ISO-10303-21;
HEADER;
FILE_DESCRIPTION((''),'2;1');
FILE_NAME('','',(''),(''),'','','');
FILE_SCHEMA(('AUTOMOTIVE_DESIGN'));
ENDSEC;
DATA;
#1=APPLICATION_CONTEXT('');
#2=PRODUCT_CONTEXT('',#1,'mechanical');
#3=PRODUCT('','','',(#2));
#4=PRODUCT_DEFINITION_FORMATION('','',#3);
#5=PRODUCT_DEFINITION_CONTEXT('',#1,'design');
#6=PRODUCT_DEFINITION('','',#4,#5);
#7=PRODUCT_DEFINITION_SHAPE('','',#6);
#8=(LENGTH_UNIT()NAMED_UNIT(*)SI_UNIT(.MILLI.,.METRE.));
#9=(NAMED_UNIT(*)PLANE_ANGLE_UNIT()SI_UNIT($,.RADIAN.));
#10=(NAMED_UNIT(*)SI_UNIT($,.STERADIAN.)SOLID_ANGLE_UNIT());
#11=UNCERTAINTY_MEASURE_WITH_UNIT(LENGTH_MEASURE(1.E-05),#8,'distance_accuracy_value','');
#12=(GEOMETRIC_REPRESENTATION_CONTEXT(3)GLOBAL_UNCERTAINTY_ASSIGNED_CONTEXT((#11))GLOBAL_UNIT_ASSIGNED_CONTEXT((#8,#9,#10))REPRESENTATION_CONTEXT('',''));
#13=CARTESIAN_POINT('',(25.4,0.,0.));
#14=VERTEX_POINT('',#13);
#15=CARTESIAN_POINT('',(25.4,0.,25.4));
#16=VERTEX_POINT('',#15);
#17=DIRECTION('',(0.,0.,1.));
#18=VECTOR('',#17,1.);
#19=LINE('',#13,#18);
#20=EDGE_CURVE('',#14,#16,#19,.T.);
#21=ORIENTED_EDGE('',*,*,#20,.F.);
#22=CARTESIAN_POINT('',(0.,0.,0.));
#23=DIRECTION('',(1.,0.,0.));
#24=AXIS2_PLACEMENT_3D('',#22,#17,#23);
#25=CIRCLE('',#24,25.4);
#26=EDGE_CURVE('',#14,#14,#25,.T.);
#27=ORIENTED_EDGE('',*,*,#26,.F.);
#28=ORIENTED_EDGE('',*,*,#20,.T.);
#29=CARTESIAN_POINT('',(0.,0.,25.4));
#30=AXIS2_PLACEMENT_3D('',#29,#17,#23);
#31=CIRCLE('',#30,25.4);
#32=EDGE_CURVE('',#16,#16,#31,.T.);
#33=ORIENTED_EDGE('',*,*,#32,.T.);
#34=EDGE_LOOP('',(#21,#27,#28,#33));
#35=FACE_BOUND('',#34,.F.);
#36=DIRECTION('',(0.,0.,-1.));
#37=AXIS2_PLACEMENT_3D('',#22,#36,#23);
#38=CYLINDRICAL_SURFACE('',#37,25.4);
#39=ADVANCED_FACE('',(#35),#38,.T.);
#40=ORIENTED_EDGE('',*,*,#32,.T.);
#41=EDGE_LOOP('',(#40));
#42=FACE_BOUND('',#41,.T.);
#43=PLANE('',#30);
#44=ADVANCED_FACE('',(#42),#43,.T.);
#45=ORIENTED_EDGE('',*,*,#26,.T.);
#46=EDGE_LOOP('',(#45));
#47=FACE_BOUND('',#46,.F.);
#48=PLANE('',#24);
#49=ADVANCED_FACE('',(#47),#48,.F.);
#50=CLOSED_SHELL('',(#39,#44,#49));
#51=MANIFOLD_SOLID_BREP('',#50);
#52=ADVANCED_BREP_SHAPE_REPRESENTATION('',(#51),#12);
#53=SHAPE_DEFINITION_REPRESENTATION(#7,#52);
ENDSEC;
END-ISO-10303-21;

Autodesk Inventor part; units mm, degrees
ref_plane "YZ Plane" through (0, 0, 0) normal (1, 0, 0) x (0, 1, 0)
ref_plane "XZ Plane" through (0, 0, 0) normal (0, 1, 0) x (-1, 0, 0)
ref_plane "XY Plane" through (0, 0, 0) normal (0, 0, 1) x (1, 0, 0)
sketch "Sketch1" plane through (0, 0, 0) normal (0, 0, 1) x (1, 0, 0)
  circle A0 centre (0, 0) radius 25.4
  dimension "d0" = 50.8
extrude "Extrusion1" add sketch "Sketch1" along normal blind 25.4
equation "\"DriveBaseQuantity\" = 25.4"
